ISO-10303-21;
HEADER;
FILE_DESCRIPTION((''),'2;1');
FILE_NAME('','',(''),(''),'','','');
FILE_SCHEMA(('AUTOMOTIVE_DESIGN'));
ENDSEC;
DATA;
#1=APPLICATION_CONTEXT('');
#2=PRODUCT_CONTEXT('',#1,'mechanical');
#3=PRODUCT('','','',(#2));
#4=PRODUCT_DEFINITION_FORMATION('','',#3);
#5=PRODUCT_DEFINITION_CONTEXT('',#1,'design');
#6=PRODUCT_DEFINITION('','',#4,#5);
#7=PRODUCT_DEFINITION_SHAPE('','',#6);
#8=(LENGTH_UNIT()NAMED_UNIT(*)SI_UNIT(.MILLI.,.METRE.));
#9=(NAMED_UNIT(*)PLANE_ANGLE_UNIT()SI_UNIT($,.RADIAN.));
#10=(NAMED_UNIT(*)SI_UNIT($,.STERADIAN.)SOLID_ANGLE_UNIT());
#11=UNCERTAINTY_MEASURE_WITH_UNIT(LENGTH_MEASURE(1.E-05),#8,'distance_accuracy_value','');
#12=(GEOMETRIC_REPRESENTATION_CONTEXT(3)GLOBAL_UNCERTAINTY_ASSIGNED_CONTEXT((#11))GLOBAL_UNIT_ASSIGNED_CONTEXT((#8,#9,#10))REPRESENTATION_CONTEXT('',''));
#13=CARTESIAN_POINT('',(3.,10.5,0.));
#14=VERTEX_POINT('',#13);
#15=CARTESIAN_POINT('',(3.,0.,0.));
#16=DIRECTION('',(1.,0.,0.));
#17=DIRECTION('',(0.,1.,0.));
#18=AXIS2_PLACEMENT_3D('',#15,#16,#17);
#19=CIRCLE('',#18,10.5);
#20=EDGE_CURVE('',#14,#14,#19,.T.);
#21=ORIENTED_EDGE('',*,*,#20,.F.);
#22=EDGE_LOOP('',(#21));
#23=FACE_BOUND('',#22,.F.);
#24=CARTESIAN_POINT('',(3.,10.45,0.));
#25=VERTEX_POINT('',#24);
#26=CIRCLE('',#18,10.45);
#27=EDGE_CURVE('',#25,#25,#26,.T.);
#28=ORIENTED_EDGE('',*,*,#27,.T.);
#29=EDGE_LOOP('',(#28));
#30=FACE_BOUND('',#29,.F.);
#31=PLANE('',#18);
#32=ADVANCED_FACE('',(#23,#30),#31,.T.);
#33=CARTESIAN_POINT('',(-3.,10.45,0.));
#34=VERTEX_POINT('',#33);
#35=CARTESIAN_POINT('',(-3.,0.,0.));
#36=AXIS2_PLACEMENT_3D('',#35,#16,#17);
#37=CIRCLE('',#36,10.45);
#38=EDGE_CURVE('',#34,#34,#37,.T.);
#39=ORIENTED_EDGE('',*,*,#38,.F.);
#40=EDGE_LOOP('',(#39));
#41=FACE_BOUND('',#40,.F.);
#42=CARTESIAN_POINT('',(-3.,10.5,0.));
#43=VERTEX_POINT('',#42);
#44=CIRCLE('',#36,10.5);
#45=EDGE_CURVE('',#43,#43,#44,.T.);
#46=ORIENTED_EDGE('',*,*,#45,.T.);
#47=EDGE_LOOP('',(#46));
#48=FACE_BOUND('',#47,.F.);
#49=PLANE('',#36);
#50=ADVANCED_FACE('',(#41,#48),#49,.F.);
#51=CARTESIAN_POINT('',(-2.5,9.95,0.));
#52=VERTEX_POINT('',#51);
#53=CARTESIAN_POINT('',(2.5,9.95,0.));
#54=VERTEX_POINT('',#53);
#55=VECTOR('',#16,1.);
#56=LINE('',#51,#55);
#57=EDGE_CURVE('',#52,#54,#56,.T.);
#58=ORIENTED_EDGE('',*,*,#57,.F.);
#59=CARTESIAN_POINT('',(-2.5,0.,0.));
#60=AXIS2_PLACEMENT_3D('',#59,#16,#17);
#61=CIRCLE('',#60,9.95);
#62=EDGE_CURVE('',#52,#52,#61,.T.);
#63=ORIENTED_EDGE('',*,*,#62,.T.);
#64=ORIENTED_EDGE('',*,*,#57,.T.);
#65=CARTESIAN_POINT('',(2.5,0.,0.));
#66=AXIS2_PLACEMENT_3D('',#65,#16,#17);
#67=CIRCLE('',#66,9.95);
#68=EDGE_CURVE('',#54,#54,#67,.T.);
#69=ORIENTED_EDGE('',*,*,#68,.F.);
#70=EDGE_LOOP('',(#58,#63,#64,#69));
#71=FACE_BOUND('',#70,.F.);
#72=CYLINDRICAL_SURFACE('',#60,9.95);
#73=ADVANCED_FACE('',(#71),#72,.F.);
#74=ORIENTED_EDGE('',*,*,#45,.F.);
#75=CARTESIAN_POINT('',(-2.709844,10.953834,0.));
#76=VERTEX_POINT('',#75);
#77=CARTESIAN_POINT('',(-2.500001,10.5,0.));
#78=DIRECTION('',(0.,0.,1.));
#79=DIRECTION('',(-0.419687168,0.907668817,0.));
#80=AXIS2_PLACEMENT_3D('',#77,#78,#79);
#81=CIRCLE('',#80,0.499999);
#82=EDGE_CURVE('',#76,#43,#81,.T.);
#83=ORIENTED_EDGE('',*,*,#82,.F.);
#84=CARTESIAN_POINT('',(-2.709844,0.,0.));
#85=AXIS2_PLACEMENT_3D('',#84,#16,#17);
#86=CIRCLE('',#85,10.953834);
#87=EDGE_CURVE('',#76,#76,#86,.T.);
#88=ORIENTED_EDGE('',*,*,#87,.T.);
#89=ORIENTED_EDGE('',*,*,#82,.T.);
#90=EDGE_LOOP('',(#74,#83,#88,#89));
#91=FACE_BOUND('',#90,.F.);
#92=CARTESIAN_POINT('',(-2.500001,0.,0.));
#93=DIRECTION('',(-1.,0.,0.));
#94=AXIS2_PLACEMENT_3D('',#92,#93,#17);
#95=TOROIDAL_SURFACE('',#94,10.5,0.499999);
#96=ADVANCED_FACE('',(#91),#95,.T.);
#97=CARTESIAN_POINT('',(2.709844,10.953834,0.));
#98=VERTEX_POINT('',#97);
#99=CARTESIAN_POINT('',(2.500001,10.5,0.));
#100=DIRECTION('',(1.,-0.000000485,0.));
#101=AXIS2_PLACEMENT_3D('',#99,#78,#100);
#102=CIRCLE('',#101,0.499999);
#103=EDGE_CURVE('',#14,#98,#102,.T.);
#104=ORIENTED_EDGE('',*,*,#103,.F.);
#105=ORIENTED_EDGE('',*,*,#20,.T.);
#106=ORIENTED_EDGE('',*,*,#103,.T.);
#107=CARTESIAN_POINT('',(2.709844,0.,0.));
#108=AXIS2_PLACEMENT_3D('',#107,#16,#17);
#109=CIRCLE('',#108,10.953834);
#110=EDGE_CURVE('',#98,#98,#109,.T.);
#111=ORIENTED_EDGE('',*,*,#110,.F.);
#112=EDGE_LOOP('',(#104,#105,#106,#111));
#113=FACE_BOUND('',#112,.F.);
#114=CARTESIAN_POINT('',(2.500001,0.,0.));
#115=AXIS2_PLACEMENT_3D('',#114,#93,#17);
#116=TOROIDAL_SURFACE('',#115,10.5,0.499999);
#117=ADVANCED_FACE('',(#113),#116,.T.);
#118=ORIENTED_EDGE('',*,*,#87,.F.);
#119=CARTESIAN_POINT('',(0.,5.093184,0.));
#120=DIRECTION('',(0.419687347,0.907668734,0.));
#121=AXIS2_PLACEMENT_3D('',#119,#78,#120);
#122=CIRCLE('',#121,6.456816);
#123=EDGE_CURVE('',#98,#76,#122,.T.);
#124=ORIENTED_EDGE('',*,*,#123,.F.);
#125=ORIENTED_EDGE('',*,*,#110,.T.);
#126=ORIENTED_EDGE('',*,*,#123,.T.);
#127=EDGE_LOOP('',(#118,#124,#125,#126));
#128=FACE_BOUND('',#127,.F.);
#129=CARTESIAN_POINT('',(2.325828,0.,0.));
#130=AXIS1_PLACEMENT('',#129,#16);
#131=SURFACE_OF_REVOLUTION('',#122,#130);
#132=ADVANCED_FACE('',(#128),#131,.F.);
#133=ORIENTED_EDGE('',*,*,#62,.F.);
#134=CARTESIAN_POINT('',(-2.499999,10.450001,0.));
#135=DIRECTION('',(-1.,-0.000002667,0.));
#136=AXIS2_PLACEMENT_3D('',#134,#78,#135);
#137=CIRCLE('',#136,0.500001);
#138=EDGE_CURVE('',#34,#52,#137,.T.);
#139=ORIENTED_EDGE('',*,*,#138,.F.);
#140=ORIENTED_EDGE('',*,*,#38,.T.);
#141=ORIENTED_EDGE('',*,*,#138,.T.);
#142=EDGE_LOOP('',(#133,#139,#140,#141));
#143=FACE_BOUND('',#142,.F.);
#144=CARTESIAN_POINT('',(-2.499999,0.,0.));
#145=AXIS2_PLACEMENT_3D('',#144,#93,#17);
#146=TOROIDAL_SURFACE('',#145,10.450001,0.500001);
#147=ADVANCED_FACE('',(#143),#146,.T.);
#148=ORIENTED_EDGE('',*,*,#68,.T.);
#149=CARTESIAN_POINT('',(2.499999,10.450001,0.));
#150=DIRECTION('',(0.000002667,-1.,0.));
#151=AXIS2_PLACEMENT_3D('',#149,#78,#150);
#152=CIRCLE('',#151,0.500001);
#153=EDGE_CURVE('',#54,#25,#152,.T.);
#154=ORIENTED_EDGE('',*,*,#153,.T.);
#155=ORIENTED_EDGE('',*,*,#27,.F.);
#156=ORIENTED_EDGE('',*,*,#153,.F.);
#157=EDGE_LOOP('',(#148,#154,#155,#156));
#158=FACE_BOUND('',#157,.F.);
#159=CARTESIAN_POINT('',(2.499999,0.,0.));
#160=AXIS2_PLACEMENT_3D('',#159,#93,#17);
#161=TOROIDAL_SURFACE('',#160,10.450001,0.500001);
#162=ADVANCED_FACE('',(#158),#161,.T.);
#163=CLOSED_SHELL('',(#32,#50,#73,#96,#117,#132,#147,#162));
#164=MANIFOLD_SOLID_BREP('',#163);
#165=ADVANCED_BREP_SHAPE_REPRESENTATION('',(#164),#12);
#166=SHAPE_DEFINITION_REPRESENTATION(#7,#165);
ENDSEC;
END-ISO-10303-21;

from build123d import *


with BuildPart() as f1:
    # F0 (on Top) → F1 (revolve)
    with BuildSketch(Plane.XY):
        with BuildLine():
            ThreePointArc((-2.709844, 10.953834), (-2.921261, 10.769331), (-3, 10.5))
            Line((-3, 10.5), (-3, 10.45))
            ThreePointArc((-3, 10.45), (-2.853553, 10.096447), (-2.5, 9.95))
            Line((-2.5, 9.95), (2.404344, 9.95))
            Line((2.404344, 9.95), (2.5, 9.95))
            ThreePointArc((2.5, 9.95), (2.853553, 10.096447), (3, 10.45))
            Line((3, 10.45), (3, 10.5))
            ThreePointArc((3, 10.5), (2.921261, 10.769331), (2.709844, 10.953834))
            ThreePointArc((2.709844, 10.953834), (0, 11.55), (-2.709844, 10.953834))
        make_face()
    revolve(axis=Axis((2.325828, 0, 0), (1, 0, 0)))


solid = f1.part
